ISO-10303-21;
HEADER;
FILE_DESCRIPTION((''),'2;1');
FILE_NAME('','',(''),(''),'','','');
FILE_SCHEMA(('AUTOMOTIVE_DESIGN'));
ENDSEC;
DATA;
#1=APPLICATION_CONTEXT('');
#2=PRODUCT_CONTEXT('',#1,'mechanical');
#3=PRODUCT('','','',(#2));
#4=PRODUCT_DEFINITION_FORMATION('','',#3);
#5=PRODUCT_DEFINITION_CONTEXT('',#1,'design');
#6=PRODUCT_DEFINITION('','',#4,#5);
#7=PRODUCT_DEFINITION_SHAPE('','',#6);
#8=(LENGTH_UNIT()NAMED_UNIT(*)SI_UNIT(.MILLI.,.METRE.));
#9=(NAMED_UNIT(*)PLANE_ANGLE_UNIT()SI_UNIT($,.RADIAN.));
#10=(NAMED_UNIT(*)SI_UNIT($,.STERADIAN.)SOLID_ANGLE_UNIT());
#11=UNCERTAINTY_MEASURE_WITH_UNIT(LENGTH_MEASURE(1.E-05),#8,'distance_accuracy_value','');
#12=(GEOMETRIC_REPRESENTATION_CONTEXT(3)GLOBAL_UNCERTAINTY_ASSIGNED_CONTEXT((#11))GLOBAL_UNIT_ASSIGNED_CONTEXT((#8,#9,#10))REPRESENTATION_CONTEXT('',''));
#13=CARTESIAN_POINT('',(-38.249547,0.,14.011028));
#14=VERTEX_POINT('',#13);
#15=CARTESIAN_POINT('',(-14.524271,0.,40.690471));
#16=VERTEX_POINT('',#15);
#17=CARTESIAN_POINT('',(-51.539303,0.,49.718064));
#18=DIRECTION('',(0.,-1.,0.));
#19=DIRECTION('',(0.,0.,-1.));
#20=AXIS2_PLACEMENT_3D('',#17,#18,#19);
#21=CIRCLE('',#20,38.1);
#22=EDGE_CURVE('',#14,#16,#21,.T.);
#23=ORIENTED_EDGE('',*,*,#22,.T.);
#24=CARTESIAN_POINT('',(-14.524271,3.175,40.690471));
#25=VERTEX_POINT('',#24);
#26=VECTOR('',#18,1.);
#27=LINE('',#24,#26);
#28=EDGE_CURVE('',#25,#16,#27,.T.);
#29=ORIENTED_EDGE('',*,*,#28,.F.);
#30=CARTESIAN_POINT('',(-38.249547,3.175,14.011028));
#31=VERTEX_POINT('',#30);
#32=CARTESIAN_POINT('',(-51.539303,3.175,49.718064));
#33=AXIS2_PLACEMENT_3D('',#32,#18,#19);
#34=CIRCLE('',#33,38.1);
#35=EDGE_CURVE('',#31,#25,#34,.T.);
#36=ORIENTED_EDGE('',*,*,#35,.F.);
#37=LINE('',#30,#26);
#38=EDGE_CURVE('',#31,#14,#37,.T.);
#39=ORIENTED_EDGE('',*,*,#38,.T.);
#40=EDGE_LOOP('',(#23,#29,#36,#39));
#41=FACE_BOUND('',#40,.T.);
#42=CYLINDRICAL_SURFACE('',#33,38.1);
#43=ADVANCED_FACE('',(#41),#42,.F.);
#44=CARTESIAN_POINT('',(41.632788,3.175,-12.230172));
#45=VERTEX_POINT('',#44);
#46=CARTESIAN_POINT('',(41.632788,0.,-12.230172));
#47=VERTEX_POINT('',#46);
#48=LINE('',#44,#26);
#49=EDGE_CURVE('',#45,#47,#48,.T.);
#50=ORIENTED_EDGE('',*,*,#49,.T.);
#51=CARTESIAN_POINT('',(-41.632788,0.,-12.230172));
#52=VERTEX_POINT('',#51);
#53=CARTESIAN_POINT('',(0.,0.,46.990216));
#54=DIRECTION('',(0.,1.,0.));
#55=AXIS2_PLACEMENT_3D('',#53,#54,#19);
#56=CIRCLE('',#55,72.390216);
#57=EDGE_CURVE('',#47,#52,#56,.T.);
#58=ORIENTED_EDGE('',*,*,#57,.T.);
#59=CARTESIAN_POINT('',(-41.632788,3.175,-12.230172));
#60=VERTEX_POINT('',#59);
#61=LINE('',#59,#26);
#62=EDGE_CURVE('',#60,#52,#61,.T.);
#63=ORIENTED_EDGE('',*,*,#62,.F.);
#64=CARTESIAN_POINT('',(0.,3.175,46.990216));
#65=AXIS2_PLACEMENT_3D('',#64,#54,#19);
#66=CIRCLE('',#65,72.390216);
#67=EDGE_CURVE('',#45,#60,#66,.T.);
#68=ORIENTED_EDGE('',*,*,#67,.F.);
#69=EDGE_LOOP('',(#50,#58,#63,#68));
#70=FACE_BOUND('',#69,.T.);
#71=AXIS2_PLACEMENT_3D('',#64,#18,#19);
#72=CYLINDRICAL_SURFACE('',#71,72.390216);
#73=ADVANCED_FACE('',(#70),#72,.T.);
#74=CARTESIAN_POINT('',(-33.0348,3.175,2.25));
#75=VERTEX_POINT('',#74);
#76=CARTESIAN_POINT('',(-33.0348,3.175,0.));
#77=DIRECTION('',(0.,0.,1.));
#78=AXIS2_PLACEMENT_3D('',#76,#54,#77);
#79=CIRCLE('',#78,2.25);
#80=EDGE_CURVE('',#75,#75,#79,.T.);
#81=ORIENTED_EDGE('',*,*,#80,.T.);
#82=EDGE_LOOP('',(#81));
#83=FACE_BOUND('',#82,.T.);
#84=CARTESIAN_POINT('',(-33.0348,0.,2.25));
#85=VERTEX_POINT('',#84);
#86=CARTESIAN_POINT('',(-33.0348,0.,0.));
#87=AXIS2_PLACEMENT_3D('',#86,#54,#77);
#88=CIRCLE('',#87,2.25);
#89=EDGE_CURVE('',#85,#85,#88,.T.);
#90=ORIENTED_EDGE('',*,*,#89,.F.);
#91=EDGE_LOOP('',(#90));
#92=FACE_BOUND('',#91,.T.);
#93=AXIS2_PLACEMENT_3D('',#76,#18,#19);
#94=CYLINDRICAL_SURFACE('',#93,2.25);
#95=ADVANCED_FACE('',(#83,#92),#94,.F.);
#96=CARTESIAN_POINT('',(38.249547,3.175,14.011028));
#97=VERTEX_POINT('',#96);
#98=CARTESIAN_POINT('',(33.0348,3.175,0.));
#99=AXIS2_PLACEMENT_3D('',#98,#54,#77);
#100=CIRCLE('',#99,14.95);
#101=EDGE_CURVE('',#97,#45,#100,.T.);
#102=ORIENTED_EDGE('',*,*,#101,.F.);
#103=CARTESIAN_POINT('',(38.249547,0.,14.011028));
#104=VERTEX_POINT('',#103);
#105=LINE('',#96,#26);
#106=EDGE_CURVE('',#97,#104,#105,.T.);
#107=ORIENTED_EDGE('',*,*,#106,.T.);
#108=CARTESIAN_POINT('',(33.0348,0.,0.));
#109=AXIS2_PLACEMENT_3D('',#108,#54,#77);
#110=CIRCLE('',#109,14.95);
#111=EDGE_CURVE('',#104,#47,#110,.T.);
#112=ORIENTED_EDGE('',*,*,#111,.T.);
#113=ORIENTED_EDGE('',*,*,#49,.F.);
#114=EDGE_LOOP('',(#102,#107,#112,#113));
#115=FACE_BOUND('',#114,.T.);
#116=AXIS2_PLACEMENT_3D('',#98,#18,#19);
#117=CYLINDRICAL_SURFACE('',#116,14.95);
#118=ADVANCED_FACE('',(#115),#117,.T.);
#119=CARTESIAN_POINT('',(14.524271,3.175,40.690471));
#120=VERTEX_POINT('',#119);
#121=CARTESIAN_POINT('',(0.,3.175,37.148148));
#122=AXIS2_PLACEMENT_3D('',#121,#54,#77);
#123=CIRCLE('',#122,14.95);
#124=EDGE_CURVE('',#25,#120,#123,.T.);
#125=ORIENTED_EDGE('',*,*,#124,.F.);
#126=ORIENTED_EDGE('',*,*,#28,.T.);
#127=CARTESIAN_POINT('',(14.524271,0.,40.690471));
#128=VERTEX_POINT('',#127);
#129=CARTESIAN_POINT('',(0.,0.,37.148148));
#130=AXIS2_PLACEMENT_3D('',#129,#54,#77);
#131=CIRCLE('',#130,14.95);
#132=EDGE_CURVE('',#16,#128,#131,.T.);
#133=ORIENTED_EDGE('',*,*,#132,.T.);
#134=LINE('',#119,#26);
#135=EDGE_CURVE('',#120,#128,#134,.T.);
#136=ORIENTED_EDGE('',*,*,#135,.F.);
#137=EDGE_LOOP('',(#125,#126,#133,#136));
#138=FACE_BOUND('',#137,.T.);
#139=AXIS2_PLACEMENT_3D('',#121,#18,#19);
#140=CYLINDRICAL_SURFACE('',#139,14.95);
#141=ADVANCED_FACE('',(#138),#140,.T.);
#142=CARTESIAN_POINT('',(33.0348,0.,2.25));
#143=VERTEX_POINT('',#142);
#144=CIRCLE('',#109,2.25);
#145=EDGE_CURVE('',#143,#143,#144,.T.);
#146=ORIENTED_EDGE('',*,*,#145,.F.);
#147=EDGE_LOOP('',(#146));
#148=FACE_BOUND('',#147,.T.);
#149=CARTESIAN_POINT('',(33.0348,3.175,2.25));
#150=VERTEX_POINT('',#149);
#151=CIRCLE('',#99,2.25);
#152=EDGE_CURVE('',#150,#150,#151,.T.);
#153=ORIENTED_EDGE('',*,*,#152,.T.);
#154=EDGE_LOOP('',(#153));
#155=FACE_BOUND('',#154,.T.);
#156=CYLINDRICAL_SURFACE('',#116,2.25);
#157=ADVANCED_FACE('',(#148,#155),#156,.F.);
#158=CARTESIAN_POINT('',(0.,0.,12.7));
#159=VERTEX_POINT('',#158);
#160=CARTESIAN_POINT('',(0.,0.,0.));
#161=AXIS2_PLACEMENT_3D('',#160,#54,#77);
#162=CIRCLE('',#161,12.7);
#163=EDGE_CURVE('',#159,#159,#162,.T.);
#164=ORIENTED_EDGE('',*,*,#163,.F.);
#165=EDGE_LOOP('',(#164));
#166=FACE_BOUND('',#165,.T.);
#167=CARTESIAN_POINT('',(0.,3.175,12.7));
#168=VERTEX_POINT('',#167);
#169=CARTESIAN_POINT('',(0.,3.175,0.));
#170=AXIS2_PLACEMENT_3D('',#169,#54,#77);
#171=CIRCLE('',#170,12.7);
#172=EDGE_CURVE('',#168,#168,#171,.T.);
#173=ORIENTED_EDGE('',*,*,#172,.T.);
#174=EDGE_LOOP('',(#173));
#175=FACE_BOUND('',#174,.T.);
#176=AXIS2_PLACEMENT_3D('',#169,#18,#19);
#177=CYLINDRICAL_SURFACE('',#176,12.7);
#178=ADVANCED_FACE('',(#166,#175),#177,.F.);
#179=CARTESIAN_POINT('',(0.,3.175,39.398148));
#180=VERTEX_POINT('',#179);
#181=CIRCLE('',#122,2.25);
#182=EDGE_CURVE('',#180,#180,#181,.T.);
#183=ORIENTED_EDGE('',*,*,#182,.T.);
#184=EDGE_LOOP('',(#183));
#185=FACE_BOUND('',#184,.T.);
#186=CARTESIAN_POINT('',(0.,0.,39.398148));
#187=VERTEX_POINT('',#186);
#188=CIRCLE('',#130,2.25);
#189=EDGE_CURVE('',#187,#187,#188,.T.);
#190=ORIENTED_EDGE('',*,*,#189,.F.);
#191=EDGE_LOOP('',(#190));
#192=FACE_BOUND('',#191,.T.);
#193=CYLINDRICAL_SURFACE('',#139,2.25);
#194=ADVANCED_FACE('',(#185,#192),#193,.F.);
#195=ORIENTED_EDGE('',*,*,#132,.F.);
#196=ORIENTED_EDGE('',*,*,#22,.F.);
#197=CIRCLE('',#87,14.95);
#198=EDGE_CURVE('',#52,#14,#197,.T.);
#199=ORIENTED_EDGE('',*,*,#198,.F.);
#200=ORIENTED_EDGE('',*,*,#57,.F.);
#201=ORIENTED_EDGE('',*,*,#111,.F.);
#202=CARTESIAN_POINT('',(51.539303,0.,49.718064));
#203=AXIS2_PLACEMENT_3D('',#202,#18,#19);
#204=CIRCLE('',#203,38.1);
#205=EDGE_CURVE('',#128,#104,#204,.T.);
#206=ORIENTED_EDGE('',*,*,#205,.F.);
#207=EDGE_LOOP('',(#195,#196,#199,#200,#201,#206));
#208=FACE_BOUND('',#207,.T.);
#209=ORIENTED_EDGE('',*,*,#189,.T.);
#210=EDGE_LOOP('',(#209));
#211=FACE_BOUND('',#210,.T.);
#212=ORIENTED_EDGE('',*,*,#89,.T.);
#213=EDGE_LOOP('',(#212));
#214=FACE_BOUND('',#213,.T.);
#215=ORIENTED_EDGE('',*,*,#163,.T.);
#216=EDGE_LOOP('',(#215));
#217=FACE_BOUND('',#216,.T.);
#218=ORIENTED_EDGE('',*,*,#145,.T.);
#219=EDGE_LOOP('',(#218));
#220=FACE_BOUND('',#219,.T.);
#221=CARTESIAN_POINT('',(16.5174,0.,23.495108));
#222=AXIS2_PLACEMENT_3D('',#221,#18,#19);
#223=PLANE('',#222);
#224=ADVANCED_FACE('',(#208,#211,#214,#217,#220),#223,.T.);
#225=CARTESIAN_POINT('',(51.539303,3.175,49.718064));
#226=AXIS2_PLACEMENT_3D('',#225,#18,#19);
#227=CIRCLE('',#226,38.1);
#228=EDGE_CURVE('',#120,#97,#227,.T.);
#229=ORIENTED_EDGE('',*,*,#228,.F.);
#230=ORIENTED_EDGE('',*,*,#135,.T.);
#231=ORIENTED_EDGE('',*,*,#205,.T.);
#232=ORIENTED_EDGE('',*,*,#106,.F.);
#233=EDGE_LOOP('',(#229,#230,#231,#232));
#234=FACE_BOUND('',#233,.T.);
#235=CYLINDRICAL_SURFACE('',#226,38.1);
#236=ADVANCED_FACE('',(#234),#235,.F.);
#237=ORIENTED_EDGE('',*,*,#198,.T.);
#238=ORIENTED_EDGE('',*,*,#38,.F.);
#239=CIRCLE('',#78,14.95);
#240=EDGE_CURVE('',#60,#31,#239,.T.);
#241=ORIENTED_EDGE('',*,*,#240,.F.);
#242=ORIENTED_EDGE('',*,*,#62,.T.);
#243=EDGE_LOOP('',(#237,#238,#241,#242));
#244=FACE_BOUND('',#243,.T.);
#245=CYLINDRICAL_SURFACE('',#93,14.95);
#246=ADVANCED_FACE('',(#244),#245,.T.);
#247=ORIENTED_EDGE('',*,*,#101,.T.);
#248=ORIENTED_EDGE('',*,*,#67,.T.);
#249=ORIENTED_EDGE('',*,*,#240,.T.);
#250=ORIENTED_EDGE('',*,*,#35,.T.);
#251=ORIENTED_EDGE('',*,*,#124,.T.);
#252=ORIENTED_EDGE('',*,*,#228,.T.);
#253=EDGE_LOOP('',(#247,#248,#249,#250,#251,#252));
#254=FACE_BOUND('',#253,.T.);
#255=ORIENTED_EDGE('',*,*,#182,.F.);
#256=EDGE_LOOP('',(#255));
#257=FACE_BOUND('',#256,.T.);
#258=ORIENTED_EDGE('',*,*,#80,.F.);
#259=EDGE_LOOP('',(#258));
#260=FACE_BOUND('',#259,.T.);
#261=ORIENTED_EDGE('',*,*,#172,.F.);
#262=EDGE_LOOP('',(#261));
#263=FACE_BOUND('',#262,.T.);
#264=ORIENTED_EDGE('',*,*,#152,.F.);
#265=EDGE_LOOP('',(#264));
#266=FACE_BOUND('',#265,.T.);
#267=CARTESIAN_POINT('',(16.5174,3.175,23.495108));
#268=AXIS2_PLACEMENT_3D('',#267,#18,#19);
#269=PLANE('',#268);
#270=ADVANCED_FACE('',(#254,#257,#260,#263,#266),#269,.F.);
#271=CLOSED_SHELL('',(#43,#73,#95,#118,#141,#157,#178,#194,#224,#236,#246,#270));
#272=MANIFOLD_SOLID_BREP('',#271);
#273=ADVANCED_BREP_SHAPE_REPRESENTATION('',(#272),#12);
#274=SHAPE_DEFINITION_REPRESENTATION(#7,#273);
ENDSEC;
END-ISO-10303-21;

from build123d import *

# Parameters (mm, degrees)
SKETCH1_R           = 12.7
SKETCH1_R_2         = 2.25
BOSS_EXTRUDE1_DEPTH = 3.175


with BuildPart() as part:
    # Sketch1 → Boss-Extrude1 (new body)
    with BuildSketch(Plane(origin=(0, 0, 0), x_dir=(1, 0, 0), z_dir=(0, 1, 0))):
        with BuildLine():
            ThreePointArc((-41.632787539, 12.230172128), (-47.862074133, -1.911659432), (-38.249546762, -14.011028378))
            ThreePointArc((-38.249546762, -14.011028378), (-23.068421331, -24.399712606), (-14.524270984, -40.690471465))
            ThreePointArc((-14.524270984, -40.690471465), (0, -52.098148446), (14.524270984, -40.690471465))
            ThreePointArc((14.524270984, -40.690471465), (23.068421331, -24.399712606), (38.249546762, -14.011028378))
            ThreePointArc((38.249546762, -14.011028378), (47.862074133, -1.911659432), (41.632787539, 12.230172128))
            ThreePointArc((41.632787539, 12.230172128), (0, 25.4), (-41.632787539, 12.230172128))
        make_face()
        Circle(SKETCH1_R, mode=Mode.SUBTRACT)
        with Locations((-33.0348, 0)):
            Circle(SKETCH1_R_2, mode=Mode.SUBTRACT)
        with Locations((33.0348, 0)):
            Circle(SKETCH1_R_2, mode=Mode.SUBTRACT)
        with Locations((0, -37.148148446)):
            Circle(SKETCH1_R_2, mode=Mode.SUBTRACT)
    extrude(amount=BOSS_EXTRUDE1_DEPTH)


solid = part.part
